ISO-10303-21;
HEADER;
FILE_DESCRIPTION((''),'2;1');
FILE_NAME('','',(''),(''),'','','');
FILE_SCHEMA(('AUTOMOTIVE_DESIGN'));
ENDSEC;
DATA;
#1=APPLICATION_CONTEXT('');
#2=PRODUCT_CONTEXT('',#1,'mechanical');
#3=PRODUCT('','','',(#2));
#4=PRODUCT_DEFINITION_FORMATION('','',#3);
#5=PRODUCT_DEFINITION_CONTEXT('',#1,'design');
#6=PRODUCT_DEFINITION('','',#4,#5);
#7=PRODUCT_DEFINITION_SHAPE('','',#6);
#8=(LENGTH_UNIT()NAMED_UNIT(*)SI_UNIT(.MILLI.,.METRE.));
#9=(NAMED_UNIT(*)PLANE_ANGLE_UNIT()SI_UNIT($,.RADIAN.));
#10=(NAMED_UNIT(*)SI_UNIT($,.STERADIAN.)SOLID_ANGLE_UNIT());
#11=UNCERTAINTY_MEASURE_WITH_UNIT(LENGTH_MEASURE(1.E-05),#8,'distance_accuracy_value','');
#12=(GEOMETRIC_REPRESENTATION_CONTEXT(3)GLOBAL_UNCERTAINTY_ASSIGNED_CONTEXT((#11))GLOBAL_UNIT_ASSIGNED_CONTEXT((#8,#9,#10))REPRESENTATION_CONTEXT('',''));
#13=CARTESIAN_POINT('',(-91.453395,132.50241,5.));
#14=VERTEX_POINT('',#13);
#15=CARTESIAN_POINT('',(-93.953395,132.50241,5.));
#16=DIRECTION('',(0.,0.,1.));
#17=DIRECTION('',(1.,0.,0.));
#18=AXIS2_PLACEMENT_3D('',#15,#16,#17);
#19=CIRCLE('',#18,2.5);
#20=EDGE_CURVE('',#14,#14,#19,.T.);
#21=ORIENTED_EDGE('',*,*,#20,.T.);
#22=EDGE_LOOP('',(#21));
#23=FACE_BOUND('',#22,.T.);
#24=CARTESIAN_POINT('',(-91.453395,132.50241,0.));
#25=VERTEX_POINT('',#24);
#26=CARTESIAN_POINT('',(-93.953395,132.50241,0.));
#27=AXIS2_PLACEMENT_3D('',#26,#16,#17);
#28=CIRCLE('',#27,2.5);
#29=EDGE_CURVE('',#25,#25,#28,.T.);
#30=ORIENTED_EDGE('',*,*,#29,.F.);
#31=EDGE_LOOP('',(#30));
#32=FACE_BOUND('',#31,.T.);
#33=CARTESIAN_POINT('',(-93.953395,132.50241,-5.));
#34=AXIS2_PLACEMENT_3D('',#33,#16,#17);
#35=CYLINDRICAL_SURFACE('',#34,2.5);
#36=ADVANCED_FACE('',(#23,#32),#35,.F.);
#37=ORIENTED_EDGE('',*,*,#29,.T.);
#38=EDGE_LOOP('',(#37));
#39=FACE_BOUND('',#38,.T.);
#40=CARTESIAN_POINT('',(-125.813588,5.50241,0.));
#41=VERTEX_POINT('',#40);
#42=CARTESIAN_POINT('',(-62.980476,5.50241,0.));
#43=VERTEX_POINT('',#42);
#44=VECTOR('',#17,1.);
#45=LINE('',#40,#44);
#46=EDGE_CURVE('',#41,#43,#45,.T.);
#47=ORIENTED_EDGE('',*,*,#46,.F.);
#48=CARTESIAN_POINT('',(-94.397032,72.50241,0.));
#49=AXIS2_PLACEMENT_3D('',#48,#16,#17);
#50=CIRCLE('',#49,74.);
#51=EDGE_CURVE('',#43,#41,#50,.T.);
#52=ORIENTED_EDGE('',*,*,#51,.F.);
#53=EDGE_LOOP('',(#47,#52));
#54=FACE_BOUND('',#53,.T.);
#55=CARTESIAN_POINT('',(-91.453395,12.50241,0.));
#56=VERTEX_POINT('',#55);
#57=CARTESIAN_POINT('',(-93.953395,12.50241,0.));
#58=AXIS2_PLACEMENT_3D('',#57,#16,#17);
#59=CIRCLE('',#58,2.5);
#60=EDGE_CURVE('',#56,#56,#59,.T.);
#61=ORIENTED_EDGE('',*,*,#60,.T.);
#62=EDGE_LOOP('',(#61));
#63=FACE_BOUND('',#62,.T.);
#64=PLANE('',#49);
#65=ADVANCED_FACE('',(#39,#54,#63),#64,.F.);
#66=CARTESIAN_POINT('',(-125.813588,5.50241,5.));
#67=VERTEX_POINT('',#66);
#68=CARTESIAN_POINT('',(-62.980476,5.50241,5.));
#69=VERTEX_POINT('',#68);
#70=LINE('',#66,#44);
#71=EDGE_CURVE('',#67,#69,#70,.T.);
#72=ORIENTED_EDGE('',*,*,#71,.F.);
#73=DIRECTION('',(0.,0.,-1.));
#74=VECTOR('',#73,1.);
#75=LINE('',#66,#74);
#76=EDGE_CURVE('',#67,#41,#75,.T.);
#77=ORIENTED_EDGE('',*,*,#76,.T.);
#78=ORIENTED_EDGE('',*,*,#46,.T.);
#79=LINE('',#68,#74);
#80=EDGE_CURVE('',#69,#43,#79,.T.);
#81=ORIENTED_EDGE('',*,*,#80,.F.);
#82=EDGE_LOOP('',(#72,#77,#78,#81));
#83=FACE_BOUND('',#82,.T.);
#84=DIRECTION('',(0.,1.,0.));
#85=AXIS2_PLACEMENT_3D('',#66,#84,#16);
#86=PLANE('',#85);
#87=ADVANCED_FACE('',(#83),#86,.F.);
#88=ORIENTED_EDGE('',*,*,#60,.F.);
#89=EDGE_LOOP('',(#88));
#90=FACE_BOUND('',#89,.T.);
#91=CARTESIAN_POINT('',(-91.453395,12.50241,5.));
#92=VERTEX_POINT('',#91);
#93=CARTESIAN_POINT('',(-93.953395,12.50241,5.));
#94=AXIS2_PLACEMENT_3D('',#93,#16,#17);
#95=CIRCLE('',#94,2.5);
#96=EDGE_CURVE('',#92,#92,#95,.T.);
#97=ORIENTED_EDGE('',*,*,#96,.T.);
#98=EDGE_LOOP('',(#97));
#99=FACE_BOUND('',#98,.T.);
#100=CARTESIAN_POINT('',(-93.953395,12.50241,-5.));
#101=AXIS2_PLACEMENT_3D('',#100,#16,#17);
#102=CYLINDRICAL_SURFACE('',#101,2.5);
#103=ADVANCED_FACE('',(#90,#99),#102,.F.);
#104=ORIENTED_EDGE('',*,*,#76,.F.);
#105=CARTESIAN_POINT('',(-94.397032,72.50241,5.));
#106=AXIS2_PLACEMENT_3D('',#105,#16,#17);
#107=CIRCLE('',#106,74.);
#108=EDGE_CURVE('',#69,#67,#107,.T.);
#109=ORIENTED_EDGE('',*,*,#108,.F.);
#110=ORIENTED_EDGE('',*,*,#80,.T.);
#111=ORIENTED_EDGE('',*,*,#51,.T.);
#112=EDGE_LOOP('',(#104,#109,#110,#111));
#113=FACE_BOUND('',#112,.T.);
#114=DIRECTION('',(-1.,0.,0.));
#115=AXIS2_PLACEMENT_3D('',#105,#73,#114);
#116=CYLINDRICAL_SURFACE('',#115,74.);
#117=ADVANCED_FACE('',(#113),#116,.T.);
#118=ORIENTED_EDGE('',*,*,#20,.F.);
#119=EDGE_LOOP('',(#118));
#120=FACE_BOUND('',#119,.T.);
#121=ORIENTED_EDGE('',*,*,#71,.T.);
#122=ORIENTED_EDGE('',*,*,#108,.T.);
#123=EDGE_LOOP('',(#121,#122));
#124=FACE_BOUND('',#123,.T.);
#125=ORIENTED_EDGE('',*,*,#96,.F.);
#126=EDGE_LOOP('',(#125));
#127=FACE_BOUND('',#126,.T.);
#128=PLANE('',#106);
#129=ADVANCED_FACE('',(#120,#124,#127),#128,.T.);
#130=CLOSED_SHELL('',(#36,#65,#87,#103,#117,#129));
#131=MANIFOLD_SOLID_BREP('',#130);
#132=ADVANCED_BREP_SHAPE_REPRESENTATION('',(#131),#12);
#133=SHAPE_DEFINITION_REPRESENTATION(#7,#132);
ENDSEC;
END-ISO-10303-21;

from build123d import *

# Parameters (mm, degrees)
BOSS_EXTRUDE1_DEPTH = 5
SKETCH2_R           = 2.5
CUT_EXTRUDE1_DEPTH  = 10


with BuildPart() as part:
    # Sketch1 → Boss-Extrude1 (new body)
    with BuildSketch(Plane.XY):
        with BuildLine():
            Line((-125.81358794, 5.502409601), (-62.980475651, 5.502409601))
            ThreePointArc((-62.980475651, 5.502409601), (-94.397031795, 146.502409601), (-125.81358794, 5.502409601))
        make_face()
    extrude(amount=BOSS_EXTRUDE1_DEPTH)

    # Sketch2 → Cut-Extrude1 (cut)
    with BuildSketch(Plane.XY.offset(5)):
        with Locations((-93.953395264, 132.502409601)):
            Circle(SKETCH2_R)
        with Locations((-93.953395264, 12.502409601)):
            Circle(SKETCH2_R)
    extrude(amount=-CUT_EXTRUDE1_DEPTH, mode=Mode.SUBTRACT)


solid = part.part
